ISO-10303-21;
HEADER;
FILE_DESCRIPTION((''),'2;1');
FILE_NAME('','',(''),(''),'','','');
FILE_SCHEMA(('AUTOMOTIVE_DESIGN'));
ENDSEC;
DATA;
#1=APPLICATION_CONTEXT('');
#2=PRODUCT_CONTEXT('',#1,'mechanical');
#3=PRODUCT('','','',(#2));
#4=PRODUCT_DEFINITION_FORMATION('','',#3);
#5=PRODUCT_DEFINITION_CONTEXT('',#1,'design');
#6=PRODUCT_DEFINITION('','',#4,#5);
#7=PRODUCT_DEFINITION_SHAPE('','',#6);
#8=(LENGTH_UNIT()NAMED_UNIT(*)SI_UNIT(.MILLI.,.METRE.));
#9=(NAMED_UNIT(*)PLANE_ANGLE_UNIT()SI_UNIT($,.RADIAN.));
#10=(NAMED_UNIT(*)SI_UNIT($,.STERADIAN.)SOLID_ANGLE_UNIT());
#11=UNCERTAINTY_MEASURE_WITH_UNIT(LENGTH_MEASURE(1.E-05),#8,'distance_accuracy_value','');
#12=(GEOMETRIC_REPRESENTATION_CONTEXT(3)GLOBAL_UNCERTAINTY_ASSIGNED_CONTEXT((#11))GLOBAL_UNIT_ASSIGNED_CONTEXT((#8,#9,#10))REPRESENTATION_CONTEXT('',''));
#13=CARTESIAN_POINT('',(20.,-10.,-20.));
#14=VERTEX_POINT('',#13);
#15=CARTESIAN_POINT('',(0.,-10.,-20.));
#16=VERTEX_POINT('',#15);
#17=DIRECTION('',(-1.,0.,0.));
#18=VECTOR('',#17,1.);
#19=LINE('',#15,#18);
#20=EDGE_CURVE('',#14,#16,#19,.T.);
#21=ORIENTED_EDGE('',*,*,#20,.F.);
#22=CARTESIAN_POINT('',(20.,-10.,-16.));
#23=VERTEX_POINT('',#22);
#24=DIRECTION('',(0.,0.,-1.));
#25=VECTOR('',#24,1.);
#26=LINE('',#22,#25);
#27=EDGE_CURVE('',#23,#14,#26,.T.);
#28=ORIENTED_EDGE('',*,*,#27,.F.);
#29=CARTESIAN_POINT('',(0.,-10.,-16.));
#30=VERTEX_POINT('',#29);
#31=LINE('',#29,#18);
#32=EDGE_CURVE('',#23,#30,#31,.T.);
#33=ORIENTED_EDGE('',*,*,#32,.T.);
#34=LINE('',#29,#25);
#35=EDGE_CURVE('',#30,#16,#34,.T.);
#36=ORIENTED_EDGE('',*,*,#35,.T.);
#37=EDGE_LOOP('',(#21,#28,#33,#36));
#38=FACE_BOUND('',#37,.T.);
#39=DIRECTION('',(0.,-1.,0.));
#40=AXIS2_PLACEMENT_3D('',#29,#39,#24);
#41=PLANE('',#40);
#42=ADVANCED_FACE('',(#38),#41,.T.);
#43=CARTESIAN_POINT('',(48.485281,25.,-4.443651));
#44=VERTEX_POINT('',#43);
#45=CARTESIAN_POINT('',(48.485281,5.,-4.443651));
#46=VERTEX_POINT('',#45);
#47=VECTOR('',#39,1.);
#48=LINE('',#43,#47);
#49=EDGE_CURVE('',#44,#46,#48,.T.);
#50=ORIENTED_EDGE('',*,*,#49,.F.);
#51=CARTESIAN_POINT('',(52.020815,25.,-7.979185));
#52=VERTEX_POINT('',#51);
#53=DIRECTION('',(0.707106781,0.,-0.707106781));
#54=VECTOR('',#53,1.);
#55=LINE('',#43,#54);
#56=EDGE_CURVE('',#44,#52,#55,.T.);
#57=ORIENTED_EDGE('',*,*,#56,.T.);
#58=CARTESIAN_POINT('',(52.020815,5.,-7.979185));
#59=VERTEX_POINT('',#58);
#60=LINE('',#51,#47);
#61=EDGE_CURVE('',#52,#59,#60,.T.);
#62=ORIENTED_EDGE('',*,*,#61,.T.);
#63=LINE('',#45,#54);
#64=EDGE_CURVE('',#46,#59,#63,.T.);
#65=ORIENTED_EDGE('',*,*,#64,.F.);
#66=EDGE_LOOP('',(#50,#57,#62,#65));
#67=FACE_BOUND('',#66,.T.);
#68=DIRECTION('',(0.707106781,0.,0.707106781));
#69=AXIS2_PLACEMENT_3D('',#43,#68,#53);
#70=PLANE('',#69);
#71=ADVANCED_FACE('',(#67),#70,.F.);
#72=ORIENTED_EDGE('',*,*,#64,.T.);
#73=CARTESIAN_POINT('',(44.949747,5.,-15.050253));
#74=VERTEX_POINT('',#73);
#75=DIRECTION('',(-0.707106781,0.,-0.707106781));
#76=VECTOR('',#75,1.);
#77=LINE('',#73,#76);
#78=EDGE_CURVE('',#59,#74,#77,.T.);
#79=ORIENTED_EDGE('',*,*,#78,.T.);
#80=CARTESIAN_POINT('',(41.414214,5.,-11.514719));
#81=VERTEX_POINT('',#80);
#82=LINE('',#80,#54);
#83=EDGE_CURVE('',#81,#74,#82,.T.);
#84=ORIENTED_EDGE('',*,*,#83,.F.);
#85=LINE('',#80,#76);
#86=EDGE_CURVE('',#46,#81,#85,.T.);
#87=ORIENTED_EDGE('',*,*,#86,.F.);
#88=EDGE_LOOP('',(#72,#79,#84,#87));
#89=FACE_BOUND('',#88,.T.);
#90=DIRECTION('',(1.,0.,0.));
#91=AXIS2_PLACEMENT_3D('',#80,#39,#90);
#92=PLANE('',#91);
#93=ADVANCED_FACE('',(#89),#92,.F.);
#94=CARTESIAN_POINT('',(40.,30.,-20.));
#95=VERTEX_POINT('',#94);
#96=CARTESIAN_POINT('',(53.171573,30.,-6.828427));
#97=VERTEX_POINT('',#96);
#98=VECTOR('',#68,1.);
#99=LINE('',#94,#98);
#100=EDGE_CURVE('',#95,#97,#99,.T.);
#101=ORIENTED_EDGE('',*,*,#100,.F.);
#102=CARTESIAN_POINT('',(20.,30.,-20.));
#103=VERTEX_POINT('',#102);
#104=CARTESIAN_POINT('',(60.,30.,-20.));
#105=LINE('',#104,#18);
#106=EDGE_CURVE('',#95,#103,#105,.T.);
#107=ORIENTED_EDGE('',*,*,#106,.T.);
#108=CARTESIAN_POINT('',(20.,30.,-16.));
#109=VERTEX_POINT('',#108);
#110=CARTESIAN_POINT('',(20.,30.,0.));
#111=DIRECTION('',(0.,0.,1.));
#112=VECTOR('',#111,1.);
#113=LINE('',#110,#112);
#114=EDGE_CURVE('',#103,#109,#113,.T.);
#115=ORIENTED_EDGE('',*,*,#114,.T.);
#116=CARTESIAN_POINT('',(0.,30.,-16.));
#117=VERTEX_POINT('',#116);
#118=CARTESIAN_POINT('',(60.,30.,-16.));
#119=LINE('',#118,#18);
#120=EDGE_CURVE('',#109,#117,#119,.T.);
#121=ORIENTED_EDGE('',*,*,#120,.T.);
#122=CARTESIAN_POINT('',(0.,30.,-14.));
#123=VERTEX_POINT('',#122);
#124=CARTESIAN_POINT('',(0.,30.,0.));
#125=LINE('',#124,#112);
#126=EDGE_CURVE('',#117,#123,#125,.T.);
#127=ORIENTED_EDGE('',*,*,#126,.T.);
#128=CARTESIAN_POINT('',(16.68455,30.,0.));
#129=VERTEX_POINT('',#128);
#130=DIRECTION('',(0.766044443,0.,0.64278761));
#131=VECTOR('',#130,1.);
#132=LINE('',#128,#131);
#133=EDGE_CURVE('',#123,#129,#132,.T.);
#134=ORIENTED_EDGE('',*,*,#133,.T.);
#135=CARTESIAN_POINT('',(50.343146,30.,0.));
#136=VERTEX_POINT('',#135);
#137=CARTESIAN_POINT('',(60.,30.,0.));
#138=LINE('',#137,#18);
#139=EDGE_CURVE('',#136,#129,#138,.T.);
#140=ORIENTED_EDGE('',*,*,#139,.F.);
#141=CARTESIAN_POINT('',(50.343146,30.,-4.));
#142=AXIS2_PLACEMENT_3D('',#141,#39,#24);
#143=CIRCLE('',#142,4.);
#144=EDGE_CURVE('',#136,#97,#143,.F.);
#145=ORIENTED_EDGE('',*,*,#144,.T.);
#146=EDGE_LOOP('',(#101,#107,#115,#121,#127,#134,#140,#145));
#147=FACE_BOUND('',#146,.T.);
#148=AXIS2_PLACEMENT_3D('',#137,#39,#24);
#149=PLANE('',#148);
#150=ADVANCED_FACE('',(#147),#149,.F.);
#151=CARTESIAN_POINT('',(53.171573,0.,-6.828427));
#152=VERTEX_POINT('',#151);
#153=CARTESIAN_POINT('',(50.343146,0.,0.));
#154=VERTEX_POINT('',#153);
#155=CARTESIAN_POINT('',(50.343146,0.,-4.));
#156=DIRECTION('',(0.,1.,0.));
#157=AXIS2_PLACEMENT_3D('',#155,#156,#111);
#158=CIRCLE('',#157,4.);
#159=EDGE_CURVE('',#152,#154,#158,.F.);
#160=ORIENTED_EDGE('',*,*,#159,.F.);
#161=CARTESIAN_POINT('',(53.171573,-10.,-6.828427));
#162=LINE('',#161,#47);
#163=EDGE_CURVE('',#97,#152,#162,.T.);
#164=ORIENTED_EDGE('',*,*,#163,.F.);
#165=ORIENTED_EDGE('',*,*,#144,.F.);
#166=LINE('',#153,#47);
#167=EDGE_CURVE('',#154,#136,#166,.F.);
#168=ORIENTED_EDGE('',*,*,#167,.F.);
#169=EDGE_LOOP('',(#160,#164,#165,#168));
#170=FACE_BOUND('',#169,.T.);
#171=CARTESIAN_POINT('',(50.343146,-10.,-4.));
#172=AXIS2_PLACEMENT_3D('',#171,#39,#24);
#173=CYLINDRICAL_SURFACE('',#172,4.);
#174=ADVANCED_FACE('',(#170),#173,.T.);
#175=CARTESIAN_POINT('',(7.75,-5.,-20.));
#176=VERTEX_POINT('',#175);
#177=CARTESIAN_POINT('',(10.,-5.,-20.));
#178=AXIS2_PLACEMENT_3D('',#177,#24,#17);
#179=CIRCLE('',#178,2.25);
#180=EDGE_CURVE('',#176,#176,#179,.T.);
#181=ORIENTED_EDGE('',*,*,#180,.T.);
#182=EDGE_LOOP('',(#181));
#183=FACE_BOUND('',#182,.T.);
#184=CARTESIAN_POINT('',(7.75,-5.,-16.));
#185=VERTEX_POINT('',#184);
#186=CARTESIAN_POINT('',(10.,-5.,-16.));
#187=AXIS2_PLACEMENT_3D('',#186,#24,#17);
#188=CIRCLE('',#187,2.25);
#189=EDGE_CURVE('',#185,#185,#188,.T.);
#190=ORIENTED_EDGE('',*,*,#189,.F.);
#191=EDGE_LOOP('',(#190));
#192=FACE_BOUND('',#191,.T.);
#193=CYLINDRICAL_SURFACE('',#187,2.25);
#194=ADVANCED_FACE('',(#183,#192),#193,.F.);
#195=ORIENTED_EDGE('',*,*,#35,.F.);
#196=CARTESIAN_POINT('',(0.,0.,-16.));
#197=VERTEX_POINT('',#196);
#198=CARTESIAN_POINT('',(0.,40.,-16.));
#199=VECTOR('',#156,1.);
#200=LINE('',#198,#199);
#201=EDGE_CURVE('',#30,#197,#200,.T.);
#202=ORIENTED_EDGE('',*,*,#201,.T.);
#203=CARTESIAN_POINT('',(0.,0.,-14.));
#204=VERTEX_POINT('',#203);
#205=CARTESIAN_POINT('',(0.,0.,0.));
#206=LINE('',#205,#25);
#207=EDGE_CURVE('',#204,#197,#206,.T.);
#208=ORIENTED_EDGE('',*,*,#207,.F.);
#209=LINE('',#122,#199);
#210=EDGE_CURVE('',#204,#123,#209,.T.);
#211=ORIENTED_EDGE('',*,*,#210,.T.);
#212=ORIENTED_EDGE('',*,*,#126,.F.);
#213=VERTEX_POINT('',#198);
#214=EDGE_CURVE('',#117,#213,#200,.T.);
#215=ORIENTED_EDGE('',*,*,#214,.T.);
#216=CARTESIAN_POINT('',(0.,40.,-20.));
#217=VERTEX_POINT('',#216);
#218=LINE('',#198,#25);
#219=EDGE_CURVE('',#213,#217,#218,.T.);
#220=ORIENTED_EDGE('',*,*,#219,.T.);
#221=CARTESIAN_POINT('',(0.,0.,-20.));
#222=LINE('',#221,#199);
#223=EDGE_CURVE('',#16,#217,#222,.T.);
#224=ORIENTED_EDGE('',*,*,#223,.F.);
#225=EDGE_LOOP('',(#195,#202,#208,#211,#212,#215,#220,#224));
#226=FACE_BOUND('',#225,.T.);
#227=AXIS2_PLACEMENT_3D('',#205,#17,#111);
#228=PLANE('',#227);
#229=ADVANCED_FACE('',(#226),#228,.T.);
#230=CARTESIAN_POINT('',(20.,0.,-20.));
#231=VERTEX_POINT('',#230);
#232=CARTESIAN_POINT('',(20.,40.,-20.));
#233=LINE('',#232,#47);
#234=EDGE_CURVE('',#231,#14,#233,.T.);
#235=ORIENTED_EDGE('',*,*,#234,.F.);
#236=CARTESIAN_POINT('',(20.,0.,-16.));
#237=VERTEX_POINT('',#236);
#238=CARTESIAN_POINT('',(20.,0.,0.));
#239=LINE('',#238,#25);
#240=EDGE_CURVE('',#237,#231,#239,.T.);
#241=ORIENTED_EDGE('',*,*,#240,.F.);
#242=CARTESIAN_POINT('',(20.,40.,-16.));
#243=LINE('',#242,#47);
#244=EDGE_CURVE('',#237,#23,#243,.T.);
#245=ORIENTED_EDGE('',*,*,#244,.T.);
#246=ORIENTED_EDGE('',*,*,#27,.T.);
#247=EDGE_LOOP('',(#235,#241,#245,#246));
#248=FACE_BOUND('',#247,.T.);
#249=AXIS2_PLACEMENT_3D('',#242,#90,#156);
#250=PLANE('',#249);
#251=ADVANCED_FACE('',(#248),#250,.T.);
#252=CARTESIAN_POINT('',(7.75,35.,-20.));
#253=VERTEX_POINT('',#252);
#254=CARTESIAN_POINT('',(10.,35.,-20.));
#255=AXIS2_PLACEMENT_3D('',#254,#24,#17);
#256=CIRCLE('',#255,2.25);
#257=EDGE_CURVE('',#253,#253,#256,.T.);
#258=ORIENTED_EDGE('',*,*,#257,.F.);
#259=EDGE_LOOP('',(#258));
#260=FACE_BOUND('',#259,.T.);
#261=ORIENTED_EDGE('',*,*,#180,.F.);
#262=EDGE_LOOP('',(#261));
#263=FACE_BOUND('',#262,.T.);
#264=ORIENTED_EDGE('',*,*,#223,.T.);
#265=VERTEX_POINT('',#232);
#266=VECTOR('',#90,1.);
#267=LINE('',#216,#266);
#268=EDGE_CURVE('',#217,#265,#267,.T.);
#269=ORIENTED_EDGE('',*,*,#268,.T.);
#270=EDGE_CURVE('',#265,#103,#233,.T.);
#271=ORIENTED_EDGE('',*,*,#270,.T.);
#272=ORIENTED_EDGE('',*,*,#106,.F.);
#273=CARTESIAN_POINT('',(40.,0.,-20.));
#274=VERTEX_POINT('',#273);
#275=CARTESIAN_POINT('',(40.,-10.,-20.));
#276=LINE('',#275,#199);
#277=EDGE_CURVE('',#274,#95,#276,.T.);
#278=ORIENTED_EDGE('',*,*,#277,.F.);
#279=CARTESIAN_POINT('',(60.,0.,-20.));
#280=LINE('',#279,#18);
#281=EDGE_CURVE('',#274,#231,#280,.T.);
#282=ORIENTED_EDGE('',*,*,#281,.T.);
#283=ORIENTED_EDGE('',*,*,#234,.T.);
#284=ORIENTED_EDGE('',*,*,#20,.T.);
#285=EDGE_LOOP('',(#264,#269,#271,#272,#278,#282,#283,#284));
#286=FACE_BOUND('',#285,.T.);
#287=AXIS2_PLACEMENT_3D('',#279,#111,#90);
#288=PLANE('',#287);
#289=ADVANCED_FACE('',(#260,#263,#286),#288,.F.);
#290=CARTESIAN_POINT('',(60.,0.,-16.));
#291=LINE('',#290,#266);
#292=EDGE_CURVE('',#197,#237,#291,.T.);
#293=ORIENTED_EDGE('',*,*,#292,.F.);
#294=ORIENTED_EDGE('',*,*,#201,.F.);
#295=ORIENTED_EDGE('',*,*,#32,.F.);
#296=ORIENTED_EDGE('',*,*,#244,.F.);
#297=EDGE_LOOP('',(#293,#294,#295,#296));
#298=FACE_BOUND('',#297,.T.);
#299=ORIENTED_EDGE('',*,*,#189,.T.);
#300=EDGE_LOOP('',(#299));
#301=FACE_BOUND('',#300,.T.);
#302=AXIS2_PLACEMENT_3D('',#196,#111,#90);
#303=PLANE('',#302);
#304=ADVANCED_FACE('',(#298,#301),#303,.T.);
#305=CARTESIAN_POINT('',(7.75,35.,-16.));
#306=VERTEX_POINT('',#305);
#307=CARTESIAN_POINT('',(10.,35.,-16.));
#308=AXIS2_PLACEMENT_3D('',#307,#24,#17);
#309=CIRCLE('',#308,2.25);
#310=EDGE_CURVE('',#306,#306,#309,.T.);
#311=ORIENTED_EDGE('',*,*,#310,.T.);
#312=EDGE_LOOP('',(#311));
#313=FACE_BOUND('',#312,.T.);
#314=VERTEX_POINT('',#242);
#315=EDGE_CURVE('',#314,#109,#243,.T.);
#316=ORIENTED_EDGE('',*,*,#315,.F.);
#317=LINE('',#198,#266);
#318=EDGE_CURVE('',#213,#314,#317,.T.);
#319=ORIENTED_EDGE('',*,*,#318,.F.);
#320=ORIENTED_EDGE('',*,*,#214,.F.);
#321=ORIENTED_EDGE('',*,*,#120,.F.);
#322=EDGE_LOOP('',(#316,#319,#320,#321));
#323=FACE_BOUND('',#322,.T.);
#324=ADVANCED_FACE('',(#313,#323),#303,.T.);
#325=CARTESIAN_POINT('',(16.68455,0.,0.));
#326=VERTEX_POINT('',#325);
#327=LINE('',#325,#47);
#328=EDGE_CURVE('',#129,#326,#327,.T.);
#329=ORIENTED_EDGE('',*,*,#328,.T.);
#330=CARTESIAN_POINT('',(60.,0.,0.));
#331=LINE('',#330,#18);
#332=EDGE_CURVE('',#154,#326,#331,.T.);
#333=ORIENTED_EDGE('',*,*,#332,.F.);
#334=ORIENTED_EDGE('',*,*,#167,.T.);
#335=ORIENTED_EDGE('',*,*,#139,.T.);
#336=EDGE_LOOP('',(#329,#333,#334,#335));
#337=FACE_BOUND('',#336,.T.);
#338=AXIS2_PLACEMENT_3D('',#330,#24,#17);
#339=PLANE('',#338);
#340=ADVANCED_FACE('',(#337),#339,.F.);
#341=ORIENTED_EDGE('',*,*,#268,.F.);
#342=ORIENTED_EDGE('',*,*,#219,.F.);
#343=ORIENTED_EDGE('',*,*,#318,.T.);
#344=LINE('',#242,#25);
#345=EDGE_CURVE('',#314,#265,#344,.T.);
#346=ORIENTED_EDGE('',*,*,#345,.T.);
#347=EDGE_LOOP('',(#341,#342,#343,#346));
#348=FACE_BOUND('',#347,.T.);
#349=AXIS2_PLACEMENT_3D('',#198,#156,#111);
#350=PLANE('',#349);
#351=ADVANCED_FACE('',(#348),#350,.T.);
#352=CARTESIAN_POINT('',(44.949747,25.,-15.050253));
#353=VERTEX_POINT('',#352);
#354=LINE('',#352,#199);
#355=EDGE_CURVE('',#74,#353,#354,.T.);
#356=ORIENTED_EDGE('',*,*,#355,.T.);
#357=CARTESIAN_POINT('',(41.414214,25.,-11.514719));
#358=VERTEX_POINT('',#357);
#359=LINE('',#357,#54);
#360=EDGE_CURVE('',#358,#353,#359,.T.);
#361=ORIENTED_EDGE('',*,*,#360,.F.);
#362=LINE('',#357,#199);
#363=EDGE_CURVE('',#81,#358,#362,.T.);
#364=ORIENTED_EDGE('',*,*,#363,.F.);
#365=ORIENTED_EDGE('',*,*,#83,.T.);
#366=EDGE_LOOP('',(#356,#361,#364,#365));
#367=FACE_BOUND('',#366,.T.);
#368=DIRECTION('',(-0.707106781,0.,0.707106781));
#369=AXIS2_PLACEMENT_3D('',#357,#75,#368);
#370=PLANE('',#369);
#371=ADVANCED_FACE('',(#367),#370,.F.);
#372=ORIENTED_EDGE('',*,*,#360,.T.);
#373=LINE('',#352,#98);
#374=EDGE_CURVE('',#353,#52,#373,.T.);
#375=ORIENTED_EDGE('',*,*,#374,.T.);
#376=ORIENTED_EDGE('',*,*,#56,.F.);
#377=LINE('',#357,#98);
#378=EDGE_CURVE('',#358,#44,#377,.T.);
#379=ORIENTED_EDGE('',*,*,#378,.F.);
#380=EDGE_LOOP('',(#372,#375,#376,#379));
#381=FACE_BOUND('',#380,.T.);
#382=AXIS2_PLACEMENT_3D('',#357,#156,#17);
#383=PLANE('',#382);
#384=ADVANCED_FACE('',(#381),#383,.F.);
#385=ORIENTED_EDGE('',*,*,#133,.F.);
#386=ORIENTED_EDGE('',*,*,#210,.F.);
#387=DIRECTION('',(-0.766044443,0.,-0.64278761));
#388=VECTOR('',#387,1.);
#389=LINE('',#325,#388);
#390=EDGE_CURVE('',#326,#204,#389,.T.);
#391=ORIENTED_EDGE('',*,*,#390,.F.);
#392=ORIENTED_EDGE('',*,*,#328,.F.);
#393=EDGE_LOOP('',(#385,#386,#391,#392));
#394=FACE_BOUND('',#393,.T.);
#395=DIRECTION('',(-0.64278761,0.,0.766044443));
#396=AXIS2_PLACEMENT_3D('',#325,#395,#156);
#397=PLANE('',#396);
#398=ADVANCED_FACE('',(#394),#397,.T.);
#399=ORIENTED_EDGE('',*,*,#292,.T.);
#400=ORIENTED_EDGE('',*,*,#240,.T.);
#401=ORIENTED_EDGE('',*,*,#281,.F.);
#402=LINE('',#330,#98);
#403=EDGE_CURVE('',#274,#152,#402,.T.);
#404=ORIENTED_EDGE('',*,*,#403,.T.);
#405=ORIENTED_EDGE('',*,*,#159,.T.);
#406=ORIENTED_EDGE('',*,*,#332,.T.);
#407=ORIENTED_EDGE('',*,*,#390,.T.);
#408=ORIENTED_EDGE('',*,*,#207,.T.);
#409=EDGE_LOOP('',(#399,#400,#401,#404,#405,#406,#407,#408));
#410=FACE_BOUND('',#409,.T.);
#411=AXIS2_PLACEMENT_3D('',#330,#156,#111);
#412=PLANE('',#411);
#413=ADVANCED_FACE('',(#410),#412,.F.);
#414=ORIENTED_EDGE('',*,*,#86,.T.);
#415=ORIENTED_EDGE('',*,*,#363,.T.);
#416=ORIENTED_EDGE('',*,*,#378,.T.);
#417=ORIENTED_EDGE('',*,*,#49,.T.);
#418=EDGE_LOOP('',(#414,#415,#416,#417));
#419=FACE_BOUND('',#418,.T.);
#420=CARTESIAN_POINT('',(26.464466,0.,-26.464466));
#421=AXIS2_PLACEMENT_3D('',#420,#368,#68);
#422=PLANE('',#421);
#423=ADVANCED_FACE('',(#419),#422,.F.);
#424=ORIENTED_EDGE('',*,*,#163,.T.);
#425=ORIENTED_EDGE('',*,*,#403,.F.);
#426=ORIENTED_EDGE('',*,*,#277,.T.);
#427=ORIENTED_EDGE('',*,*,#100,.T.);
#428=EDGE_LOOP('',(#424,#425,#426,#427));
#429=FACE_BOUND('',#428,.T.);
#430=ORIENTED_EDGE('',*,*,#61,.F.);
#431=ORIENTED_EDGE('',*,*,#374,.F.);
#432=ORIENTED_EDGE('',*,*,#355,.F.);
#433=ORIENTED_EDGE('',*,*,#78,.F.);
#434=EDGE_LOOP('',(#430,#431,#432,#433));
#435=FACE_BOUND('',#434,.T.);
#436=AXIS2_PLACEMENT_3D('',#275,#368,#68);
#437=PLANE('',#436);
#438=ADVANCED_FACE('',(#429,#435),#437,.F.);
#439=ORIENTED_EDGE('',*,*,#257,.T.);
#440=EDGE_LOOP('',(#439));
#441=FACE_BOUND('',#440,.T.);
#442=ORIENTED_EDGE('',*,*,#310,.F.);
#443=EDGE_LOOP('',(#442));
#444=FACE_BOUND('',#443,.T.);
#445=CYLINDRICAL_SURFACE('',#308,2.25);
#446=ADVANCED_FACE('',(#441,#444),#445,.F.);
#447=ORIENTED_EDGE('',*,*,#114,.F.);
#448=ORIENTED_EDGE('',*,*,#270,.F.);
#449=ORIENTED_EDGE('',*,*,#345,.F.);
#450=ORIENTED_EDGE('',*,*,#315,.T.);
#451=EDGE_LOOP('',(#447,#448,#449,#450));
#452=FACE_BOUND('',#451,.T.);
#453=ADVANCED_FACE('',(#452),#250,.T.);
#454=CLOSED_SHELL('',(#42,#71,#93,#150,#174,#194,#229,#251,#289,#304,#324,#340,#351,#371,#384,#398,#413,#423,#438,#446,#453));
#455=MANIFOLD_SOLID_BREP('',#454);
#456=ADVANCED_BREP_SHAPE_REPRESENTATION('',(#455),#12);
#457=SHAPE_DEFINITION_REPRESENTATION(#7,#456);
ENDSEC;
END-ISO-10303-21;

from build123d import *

# Parameters (mm, degrees)
SKETCH1_W           = 20
SKETCH1_H           = 30
BOSS_EXTRUDE1_DEPTH = 60
SKETCH2_W           = 20
SKETCH2_H           = 50
SKETCH2_R           = 2.25
BOSS_EXTRUDE2_DEPTH = 4
CUT_EXTRUDE1_DEPTH  = 41
FILLET1_R           = 4
SKETCH4_W           = 10
SKETCH4_H           = 20
CUT_EXTRUDE2_DEPTH  = 5
CHAMFER1_SIZE       = 14
CHAMFER1_SIZE2      = 16.684550296


with BuildPart() as part:
    # Sketch1 → Boss-Extrude1 (new body)
    with BuildSketch(Plane(origin=(0, 0, 0), x_dir=(0, 0, -1), z_dir=(1, 0, 0))):
        with Locations((10, 15)):
            Rectangle(SKETCH1_W, SKETCH1_H)
    extrude(amount=BOSS_EXTRUDE1_DEPTH)

    # Sketch2 → Boss-Extrude2 (add)
    with BuildSketch(Plane(origin=(0, 0, -20), x_dir=(-1, 0, 0), z_dir=(0, 0, -1))):
        with Locations((-10, 15)):
            Rectangle(SKETCH2_W, SKETCH2_H)
        with Locations((-10, 35)):
            Circle(SKETCH2_R, mode=Mode.SUBTRACT)
        with Locations((-10, -5)):
            Circle(SKETCH2_R, mode=Mode.SUBTRACT)
    extrude(amount=-BOSS_EXTRUDE2_DEPTH)

    # Sketch3 → Cut-Extrude1 (cut, through all)
    with BuildSketch(Plane(origin=(0, 30, 0), x_dir=(1, 0, 0), z_dir=(0, 1, 0))):
        Polygon((60, 20), (40, 20), (60, 0), align=None)
    extrude(amount=-CUT_EXTRUDE1_DEPTH, mode=Mode.SUBTRACT)

    # Fillet1
    fillet1_edges = [part.edges().sort_by_distance(p)[0] for p in [
        (60, 15, 0),
    ]]
    fillet(fillet1_edges, radius=FILLET1_R)

    # Sketch4 → Cut-Extrude2 (cut)
    with BuildSketch(Plane(origin=(30, 0, -30), x_dir=(-0.707106781, 0, -0.707106781), z_dir=(0.707106781, 0, -0.707106781))):
        with Locations((-26.142135624, 15)):
            Rectangle(SKETCH4_W, SKETCH4_H)
    extrude(amount=-CUT_EXTRUDE2_DEPTH, mode=Mode.SUBTRACT)

    # Chamfer1
    chamfer1_edges = [part.edges().sort_by_distance(p)[0] for p in [
        (0, 15, 0),
    ]]
    chamfer1_side = [part.faces().sort_by_distance(p)[0] for p in [
        (0, 15, -10.941176471),
    ]]
    chamfer(chamfer1_edges, length=CHAMFER1_SIZE, length2=CHAMFER1_SIZE2, reference=chamfer1_side[0])


solid = part.part
